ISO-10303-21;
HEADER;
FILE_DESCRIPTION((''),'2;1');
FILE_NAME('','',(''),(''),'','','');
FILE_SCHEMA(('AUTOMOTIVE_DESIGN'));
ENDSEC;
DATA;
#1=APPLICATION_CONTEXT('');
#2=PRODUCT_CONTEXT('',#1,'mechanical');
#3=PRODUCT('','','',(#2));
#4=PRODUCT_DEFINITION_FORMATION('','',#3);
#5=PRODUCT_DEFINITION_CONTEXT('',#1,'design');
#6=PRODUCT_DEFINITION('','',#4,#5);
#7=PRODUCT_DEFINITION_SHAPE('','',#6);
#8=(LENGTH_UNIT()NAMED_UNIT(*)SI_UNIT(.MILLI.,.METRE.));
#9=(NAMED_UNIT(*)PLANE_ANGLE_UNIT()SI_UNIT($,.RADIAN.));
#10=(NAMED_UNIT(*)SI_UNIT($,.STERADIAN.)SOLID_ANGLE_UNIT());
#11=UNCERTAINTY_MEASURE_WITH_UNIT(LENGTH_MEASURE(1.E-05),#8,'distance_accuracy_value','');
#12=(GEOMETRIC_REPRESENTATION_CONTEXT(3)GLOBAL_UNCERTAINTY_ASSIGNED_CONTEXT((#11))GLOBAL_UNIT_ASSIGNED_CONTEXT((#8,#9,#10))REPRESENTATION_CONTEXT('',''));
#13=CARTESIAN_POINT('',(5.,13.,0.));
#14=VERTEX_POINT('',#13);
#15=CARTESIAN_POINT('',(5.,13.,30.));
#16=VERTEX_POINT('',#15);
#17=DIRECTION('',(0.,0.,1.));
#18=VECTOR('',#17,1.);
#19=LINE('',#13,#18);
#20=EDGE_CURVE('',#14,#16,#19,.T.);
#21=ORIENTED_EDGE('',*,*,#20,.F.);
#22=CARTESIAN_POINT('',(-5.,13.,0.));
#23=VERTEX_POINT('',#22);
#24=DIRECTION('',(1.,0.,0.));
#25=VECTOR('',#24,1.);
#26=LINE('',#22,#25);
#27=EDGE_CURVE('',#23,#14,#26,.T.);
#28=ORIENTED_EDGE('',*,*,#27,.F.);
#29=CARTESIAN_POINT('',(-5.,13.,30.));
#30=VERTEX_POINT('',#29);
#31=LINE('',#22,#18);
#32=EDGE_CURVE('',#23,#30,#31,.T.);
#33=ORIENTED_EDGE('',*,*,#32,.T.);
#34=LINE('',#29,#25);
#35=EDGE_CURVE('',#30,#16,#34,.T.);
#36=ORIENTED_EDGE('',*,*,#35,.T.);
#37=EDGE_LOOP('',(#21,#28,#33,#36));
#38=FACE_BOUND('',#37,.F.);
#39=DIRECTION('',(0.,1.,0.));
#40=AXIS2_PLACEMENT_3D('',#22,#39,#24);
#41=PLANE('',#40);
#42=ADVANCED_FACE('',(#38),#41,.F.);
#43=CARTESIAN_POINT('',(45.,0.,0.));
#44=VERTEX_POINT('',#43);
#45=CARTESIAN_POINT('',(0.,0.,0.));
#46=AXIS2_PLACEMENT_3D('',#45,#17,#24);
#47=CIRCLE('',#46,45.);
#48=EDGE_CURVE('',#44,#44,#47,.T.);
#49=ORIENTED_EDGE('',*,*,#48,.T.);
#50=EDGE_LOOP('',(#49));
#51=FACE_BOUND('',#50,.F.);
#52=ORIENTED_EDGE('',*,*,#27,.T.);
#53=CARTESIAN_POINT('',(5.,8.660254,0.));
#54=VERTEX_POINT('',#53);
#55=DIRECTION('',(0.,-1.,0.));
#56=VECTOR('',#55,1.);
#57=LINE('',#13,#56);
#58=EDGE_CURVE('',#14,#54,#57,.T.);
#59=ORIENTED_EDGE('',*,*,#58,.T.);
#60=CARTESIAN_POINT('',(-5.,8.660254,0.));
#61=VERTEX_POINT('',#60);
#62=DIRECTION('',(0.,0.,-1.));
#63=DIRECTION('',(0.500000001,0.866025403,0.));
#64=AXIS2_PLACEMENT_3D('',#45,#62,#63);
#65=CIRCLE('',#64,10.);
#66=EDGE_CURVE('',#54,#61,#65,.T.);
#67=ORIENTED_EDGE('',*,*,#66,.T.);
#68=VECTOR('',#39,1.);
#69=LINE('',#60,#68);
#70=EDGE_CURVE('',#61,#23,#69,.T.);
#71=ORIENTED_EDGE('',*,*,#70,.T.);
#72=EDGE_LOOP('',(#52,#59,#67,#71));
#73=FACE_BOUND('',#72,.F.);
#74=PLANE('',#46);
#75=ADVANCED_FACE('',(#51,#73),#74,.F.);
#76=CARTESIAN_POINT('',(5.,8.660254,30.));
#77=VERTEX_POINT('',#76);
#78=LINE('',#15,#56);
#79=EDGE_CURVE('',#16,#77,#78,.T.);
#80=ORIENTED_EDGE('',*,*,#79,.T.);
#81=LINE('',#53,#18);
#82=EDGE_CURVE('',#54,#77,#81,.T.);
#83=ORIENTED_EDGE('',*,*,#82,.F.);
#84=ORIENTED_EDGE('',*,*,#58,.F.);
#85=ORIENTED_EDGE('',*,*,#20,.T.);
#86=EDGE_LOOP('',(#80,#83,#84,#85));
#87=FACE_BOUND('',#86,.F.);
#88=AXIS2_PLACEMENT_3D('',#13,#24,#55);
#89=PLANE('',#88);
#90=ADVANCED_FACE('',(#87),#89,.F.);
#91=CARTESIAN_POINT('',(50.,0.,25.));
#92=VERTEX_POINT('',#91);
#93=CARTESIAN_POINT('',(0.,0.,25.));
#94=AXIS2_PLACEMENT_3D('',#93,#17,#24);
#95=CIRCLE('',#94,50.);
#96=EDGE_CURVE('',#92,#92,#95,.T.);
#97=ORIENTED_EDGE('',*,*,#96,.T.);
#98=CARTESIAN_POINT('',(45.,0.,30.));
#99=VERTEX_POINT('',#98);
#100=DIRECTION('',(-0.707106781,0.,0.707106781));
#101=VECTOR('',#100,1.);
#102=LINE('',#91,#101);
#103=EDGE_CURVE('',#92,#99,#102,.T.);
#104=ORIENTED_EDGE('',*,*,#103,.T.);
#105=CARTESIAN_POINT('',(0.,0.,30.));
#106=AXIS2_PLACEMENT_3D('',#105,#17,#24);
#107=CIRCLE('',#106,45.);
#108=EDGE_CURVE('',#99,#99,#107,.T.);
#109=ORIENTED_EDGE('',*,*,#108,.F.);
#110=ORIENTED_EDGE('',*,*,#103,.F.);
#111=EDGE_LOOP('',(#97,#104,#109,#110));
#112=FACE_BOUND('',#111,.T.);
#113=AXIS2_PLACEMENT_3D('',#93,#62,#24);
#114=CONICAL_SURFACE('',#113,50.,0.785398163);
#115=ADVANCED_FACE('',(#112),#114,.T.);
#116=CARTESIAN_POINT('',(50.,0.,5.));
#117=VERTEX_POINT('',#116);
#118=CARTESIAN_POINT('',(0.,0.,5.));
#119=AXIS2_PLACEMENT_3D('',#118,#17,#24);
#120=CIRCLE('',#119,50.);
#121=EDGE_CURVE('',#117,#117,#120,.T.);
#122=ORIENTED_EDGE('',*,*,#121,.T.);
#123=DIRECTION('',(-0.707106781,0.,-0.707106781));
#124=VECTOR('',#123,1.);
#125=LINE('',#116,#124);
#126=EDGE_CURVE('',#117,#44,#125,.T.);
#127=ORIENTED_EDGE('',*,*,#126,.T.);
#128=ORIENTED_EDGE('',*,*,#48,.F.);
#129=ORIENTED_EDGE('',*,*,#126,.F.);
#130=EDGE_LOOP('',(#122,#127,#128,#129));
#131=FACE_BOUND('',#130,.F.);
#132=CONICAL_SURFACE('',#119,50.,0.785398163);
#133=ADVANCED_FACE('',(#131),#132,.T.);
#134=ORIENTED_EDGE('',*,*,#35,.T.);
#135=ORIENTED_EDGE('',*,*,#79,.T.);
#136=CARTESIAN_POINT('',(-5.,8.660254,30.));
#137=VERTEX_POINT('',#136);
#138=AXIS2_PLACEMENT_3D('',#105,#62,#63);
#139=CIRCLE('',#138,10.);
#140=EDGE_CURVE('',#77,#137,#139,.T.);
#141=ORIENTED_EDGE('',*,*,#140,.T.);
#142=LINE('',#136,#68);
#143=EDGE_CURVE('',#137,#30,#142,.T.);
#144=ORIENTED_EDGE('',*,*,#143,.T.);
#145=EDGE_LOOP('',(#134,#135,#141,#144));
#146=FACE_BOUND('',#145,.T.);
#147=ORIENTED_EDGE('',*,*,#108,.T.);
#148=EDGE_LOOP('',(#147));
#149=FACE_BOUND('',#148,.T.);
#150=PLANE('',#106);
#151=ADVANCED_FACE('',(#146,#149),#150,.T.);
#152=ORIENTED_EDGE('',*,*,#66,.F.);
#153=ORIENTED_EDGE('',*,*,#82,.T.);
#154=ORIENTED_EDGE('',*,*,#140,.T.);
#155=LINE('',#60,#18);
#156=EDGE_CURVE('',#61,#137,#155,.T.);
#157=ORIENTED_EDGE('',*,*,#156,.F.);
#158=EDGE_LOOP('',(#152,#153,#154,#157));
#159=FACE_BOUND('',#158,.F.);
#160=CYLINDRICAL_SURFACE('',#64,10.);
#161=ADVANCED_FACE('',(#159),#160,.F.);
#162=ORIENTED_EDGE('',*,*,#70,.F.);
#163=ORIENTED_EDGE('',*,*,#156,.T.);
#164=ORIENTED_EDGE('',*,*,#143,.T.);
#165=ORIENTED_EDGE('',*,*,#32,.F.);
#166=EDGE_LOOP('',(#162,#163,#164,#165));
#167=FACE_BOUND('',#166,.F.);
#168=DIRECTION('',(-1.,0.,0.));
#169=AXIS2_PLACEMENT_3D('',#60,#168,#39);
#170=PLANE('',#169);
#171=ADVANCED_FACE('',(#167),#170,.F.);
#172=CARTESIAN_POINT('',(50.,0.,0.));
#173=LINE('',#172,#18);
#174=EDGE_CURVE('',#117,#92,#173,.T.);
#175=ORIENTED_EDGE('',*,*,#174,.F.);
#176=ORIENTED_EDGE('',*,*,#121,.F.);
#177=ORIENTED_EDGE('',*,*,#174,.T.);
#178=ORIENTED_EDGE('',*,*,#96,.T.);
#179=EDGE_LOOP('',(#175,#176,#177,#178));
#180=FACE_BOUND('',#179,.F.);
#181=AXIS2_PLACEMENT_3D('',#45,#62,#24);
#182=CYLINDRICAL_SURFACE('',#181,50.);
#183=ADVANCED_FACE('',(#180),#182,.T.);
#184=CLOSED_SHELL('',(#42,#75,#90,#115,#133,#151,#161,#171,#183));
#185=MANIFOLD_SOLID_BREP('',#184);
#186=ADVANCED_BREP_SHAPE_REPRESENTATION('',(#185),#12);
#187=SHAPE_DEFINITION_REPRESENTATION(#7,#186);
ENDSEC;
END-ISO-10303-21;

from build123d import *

# Parameters (mm, degrees)
F0_R     = 50
F1_DEPTH = 30
F2_SIZE  = 5


with BuildPart() as f1:
    # F0 (on Top) → F1 (new body)
    with BuildSketch(Plane.XY):
        Circle(F0_R)
        with BuildLine():
            ThreePointArc((5, 8.660254), (0, -10), (-5, 8.660254))
            Line((-5, 8.660254), (-5, 13))
            Line((-5, 13), (0, 13))
            Line((0, 13), (5, 13))
            Line((5, 13), (5, 8.660254))
        make_face(mode=Mode.SUBTRACT)
    extrude(amount=F1_DEPTH)

    # F2
    f2_edges = [f1.edges().sort_by_distance(p)[0] for p in [
        (-50, 0, 30),
        (-50, 0, 0),
    ]]
    chamfer(f2_edges, length=F2_SIZE)


solid = f1.part
